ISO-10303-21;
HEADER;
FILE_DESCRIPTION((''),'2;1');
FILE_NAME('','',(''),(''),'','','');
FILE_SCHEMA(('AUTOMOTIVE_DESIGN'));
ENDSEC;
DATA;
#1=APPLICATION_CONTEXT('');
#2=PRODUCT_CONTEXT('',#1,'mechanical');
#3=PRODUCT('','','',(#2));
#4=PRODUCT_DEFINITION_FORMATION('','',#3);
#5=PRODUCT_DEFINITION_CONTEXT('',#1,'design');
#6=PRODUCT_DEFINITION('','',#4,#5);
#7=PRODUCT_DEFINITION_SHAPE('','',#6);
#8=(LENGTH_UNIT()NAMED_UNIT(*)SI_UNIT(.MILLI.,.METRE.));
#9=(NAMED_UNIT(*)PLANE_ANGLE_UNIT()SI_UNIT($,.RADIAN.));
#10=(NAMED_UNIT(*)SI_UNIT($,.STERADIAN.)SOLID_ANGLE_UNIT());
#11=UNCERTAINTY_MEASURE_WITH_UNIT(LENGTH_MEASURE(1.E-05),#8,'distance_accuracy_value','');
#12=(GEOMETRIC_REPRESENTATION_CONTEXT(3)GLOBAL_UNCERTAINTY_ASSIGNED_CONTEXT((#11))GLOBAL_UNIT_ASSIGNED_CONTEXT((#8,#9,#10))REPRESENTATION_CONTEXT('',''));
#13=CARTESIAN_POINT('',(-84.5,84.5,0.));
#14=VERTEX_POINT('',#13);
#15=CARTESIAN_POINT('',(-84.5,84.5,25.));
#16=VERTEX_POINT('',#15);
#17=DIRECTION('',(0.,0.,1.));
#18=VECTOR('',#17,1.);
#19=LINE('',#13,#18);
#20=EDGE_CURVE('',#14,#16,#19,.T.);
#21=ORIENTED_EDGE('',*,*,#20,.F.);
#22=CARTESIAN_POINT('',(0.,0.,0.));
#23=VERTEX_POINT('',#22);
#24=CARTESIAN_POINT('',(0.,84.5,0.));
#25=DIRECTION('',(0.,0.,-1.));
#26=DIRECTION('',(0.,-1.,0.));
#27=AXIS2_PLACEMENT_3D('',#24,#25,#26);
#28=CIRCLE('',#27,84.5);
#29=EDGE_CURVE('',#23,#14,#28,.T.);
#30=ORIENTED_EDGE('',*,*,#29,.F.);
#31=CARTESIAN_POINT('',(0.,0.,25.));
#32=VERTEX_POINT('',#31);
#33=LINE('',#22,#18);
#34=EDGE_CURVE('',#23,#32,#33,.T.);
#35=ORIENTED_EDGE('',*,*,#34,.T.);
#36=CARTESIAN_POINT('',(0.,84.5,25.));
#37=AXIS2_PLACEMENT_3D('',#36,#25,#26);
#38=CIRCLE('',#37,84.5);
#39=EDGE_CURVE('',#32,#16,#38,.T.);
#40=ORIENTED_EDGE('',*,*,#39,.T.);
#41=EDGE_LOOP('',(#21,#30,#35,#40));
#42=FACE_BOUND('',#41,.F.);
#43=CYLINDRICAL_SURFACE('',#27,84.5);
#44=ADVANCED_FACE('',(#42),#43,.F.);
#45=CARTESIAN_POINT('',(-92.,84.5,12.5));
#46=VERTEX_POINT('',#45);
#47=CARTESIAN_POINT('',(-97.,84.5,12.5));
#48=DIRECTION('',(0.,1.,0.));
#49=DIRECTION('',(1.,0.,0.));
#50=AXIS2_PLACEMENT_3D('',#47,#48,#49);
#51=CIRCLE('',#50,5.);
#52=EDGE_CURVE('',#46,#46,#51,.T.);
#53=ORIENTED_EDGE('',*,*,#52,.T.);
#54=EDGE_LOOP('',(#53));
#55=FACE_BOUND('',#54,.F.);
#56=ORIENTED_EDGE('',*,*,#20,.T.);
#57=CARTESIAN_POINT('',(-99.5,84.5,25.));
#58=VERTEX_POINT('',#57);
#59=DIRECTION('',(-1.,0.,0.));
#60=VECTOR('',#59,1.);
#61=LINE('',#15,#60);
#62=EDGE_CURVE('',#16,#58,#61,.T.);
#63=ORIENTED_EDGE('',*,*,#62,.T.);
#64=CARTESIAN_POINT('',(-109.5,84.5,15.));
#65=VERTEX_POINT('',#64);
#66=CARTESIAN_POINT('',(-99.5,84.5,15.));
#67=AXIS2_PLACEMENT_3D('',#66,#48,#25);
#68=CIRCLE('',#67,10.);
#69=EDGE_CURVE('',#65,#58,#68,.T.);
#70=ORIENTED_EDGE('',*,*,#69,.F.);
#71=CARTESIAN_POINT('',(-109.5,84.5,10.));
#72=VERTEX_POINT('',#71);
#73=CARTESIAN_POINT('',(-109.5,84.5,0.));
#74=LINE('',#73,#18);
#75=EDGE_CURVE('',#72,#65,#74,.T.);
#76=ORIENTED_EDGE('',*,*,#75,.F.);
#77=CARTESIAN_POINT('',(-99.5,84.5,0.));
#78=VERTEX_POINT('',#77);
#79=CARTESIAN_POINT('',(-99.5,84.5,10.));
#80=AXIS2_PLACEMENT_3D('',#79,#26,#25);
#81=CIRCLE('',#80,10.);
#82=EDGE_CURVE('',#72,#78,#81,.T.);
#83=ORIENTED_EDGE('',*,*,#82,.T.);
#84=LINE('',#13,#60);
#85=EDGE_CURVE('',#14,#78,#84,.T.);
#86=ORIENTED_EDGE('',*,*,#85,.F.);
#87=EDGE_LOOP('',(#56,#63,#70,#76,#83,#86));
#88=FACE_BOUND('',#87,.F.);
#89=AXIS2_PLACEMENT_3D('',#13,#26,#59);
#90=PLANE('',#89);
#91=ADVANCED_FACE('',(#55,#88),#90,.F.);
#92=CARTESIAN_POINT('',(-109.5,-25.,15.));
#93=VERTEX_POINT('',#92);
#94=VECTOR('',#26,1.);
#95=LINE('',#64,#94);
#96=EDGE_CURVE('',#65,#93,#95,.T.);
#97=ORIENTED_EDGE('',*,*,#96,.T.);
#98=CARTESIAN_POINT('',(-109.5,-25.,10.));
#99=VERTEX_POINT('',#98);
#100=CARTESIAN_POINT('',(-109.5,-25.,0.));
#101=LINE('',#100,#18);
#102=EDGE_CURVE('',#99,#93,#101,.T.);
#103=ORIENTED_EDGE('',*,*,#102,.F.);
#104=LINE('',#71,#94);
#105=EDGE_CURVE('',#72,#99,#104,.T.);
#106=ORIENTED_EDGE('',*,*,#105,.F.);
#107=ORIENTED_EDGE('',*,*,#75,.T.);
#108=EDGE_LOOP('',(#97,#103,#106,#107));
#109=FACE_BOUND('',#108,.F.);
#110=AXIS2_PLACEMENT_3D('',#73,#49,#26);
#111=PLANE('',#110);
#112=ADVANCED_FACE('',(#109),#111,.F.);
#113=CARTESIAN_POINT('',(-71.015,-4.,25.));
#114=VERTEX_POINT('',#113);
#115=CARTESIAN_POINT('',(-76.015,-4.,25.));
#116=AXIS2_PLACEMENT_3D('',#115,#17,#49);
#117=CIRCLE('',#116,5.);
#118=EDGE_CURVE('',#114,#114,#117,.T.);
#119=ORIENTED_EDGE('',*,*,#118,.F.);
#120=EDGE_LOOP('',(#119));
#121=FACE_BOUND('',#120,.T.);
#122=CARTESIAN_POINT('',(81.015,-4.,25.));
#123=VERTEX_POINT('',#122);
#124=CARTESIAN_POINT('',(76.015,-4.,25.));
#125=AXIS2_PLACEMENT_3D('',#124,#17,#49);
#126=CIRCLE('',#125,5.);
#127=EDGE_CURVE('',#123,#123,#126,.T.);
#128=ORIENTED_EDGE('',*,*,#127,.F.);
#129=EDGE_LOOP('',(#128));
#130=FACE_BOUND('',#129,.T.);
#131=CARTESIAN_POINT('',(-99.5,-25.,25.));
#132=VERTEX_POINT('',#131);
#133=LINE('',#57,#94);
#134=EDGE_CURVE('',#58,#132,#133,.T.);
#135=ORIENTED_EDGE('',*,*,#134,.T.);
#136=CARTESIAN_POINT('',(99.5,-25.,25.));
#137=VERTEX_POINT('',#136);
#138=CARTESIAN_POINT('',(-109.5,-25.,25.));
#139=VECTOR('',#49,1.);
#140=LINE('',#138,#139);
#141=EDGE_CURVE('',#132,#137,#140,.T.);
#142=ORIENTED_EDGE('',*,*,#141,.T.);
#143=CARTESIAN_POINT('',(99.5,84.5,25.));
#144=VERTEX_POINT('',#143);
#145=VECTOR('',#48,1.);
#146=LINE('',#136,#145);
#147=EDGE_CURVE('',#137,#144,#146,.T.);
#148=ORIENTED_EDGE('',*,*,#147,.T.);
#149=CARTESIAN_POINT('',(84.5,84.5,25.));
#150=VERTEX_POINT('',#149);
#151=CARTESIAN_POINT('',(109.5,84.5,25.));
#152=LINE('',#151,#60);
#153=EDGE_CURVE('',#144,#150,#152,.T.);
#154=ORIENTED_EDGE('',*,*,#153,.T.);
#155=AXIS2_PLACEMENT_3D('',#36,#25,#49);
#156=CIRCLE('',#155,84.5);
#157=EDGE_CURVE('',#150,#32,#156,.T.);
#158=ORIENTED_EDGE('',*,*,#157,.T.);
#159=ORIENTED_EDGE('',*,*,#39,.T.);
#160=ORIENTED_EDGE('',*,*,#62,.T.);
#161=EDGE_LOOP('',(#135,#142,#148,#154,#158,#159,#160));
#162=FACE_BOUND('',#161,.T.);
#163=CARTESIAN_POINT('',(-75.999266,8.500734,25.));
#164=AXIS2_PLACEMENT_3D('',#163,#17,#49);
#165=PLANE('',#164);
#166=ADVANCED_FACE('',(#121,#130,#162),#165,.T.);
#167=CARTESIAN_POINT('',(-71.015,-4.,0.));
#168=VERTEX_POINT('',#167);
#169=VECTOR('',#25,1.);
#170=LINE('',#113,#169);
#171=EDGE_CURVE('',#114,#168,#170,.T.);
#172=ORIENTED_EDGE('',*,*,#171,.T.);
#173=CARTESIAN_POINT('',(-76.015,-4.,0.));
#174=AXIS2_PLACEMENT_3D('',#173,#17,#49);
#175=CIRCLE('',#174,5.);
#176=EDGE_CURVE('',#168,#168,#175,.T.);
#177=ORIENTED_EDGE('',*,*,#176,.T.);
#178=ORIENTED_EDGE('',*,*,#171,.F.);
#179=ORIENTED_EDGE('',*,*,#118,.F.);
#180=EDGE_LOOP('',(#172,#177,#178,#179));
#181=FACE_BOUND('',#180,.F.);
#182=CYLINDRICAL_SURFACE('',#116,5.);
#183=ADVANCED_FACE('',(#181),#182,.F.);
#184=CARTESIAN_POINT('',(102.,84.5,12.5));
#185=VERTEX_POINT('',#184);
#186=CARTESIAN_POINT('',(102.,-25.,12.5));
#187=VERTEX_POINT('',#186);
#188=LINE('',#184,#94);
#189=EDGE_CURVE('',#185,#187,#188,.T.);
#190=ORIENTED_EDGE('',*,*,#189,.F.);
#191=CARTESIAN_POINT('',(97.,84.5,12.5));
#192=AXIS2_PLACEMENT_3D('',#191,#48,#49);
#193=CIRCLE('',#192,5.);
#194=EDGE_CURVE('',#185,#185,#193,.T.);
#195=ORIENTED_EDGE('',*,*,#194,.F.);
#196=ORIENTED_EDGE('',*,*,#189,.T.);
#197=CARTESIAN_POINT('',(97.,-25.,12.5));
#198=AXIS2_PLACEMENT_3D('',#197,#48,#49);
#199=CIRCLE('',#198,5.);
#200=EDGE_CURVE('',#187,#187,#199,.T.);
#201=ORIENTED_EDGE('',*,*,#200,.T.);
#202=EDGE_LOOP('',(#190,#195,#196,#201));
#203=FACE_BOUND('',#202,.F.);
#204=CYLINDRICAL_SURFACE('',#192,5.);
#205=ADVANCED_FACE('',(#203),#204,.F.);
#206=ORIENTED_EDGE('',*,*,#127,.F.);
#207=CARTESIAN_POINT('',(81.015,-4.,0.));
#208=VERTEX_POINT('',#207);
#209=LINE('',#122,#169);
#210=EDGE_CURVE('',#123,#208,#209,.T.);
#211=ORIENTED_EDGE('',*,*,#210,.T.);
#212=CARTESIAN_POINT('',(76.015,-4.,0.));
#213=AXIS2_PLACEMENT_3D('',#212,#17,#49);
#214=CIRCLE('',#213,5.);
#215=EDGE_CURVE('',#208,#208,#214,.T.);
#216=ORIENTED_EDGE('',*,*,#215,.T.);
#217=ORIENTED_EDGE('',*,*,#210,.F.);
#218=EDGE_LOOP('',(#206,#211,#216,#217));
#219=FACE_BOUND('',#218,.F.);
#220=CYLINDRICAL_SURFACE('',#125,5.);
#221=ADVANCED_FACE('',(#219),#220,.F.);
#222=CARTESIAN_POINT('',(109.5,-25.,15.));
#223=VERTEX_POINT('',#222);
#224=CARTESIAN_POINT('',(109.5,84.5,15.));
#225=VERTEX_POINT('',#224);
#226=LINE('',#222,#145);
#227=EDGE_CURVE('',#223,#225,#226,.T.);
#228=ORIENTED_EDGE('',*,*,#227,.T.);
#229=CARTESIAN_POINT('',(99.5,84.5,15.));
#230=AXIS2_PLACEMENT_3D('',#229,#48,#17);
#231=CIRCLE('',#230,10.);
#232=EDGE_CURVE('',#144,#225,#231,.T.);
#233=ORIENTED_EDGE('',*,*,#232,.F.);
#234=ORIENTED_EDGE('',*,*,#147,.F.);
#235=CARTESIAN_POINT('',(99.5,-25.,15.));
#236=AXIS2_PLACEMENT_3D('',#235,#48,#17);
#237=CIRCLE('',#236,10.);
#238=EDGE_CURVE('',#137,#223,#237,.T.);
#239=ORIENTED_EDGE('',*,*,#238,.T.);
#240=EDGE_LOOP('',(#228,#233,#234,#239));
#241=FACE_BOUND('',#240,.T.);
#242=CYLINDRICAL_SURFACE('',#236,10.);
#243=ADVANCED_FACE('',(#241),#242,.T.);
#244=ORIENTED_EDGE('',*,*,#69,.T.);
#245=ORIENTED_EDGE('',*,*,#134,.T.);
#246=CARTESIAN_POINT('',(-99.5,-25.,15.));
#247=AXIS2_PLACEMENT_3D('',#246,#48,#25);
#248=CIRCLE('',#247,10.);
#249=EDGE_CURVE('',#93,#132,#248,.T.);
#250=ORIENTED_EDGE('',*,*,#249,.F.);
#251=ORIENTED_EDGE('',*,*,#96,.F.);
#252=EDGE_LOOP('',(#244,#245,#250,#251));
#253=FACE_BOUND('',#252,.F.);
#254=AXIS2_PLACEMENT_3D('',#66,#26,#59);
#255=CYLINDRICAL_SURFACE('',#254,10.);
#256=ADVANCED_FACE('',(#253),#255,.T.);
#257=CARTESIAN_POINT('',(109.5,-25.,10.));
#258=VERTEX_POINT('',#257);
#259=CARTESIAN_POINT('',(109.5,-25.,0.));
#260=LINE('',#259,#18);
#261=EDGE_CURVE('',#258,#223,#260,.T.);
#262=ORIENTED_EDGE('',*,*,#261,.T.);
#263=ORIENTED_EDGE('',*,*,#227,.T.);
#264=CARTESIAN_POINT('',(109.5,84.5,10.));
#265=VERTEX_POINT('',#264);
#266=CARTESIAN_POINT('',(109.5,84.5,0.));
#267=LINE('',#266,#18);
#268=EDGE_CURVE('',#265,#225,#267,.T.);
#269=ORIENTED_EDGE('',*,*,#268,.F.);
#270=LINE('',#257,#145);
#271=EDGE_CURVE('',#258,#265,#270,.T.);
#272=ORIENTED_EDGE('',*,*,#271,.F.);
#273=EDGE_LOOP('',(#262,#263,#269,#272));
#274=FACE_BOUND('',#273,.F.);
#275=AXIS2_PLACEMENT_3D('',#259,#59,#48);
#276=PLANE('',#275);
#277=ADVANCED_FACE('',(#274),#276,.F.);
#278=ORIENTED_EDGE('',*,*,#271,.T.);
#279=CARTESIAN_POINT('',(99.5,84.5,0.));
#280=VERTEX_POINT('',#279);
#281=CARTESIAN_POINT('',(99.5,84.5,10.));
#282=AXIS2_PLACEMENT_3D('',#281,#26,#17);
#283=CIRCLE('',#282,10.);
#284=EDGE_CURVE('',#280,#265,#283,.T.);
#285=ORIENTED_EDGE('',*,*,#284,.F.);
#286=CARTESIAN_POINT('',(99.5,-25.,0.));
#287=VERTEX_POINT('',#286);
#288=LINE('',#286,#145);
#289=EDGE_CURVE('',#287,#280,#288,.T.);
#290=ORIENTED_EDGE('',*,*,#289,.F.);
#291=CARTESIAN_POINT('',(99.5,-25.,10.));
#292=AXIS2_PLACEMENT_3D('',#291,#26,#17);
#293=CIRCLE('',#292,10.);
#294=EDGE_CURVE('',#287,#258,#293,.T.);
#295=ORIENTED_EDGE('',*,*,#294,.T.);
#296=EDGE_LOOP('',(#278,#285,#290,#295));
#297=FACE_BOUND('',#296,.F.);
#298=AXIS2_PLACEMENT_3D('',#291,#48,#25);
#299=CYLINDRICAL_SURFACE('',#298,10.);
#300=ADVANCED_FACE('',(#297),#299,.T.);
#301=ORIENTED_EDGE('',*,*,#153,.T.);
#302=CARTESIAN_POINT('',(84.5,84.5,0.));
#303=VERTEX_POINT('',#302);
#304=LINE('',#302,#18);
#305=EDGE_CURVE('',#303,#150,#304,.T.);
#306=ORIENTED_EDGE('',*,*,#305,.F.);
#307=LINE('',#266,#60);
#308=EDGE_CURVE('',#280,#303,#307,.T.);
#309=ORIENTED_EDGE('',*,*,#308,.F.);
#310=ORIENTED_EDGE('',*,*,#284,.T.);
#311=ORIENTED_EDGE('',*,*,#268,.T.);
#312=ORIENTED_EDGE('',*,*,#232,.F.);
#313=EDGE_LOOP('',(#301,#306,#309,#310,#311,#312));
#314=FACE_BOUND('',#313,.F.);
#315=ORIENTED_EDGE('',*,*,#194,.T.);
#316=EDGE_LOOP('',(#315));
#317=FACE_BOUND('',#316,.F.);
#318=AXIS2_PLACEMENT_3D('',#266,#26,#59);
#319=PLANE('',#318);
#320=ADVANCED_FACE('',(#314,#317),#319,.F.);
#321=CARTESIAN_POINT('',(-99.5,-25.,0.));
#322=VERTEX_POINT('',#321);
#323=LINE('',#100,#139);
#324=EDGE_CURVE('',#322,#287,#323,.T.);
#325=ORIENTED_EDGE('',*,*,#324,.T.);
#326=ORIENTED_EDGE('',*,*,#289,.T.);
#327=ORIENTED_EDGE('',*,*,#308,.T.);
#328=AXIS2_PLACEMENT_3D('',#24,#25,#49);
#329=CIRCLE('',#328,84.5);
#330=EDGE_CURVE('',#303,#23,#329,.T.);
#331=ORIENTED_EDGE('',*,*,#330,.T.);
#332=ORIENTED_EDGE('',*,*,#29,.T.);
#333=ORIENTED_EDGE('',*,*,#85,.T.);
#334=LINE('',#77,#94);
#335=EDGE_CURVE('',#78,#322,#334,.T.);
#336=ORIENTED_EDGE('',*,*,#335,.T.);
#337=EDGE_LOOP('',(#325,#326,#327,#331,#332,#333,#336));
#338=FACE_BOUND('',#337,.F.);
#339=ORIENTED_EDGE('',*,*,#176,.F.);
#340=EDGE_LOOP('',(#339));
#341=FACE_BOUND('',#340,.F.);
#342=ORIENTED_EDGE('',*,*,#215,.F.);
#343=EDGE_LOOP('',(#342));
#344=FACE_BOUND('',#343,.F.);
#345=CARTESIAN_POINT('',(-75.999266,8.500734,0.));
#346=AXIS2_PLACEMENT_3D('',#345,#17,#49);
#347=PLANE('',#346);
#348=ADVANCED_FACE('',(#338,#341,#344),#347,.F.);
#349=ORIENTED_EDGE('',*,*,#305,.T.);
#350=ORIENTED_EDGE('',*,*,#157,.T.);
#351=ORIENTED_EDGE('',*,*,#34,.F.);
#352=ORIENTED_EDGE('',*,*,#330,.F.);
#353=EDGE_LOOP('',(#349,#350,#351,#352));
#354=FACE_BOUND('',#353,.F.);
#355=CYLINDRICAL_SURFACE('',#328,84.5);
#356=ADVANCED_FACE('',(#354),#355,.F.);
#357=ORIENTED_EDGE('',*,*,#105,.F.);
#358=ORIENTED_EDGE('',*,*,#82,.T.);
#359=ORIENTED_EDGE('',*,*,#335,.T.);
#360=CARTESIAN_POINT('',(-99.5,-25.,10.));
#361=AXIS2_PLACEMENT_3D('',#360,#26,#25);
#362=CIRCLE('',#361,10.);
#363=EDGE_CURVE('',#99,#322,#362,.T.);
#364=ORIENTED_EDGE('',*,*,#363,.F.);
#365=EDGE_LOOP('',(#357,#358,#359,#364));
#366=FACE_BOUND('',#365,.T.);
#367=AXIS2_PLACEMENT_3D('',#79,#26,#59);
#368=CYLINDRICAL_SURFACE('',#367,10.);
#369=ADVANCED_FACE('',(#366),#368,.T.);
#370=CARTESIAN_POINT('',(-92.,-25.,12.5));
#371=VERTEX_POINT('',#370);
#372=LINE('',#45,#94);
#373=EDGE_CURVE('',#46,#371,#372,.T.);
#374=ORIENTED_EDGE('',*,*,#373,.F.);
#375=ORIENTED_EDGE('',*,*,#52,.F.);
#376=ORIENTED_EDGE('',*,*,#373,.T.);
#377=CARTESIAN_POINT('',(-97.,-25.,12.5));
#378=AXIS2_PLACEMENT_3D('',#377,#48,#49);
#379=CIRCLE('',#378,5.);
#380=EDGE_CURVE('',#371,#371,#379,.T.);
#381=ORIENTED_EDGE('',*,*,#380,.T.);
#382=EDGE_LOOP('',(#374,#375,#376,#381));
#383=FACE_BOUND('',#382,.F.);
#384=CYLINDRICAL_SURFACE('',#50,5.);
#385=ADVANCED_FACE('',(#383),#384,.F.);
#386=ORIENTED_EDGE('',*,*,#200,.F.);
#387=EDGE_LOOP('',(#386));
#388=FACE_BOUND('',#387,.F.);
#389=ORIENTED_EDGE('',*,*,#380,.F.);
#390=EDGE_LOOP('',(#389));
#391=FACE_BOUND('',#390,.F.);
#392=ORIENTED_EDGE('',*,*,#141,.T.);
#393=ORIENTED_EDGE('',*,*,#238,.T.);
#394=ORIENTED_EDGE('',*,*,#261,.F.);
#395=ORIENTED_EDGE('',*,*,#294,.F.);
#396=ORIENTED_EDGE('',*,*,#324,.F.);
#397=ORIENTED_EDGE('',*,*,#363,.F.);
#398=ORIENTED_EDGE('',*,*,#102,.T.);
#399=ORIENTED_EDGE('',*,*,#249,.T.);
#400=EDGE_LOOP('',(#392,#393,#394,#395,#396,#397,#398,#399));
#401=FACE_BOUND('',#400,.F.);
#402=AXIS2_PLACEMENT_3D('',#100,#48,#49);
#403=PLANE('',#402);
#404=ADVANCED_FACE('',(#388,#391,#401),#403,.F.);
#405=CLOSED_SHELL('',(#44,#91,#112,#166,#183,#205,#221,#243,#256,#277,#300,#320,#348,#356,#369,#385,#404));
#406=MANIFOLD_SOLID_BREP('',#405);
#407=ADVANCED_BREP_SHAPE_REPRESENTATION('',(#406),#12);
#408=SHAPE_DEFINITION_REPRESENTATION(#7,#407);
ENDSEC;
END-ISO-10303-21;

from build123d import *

# Parameters (mm, degrees)
BOSS_EXTRUDE1_DEPTH = 25
SKETCH5_R           = 5
CUT_EXTRUDE1_DEPTH  = 5000
SKETCH6_R           = 5
CUT_EXTRUDE2_DEPTH  = 5000
FILLET2_R           = 10


with BuildPart() as part:
    # Sketch4 → Boss-Extrude1 (new body)
    with BuildSketch(Plane.XY):
        with BuildLine():
            ThreePointArc((0, -25), (-77.42819254, 7.07180746), (-109.5, 84.5))
            Line((-109.5, 84.5), (-109.5, -25))
            Line((-109.5, -25), (0, -25))
        make_face()
        with BuildLine():
            ThreePointArc((84.5, 84.5), (59.75052301, 24.74947699), (0, 0))
            ThreePointArc((0, 0), (-59.75052301, 24.74947699), (-84.5, 84.5))
            Line((-84.5, 84.5), (-109.5, 84.5))
            ThreePointArc((-109.5, 84.5), (-77.42819254, 7.07180746), (0, -25))
            ThreePointArc((0, -25), (77.42819254, 7.07180746), (109.5, 84.5))
            Line((109.5, 84.5), (84.5, 84.5))
        make_face()
        with BuildLine():
            Line((109.5, -25), (109.5, 84.5))
            ThreePointArc((109.5, 84.5), (77.42819254, 7.07180746), (0, -25))
            Line((0, -25), (109.5, -25))
        make_face()
    extrude(amount=BOSS_EXTRUDE1_DEPTH)

    # Sketch5 → Cut-Extrude1 (cut)
    with BuildSketch(Plane(origin=(0, 84.5, 0), x_dir=(1, 0, 0), z_dir=(0, 1, 0))):
        with Locations((-97, -12.5)):
            Circle(SKETCH5_R)
        with Locations((97, -12.5)):
            Circle(SKETCH5_R)
    extrude(amount=-CUT_EXTRUDE1_DEPTH, mode=Mode.SUBTRACT)

    # Sketch6 → Cut-Extrude2 (cut)
    with BuildSketch(Plane.XY.offset(25)):
        with Locations((-76.015, -4)):
            Circle(SKETCH6_R)
        with Locations((76.015, -4)):
            Circle(SKETCH6_R)
    extrude(amount=-CUT_EXTRUDE2_DEPTH, mode=Mode.SUBTRACT)

    # Fillet2
    fillet2_edges = [part.edges().sort_by_distance(p)[0] for p in [
        (109.5, 29.75, 25),
        (-109.5, 29.75, 25),
        (-109.5, 29.75, 0),
        (109.5, 29.75, 0),
    ]]
    fillet(fillet2_edges, radius=FILLET2_R)


solid = part.part
